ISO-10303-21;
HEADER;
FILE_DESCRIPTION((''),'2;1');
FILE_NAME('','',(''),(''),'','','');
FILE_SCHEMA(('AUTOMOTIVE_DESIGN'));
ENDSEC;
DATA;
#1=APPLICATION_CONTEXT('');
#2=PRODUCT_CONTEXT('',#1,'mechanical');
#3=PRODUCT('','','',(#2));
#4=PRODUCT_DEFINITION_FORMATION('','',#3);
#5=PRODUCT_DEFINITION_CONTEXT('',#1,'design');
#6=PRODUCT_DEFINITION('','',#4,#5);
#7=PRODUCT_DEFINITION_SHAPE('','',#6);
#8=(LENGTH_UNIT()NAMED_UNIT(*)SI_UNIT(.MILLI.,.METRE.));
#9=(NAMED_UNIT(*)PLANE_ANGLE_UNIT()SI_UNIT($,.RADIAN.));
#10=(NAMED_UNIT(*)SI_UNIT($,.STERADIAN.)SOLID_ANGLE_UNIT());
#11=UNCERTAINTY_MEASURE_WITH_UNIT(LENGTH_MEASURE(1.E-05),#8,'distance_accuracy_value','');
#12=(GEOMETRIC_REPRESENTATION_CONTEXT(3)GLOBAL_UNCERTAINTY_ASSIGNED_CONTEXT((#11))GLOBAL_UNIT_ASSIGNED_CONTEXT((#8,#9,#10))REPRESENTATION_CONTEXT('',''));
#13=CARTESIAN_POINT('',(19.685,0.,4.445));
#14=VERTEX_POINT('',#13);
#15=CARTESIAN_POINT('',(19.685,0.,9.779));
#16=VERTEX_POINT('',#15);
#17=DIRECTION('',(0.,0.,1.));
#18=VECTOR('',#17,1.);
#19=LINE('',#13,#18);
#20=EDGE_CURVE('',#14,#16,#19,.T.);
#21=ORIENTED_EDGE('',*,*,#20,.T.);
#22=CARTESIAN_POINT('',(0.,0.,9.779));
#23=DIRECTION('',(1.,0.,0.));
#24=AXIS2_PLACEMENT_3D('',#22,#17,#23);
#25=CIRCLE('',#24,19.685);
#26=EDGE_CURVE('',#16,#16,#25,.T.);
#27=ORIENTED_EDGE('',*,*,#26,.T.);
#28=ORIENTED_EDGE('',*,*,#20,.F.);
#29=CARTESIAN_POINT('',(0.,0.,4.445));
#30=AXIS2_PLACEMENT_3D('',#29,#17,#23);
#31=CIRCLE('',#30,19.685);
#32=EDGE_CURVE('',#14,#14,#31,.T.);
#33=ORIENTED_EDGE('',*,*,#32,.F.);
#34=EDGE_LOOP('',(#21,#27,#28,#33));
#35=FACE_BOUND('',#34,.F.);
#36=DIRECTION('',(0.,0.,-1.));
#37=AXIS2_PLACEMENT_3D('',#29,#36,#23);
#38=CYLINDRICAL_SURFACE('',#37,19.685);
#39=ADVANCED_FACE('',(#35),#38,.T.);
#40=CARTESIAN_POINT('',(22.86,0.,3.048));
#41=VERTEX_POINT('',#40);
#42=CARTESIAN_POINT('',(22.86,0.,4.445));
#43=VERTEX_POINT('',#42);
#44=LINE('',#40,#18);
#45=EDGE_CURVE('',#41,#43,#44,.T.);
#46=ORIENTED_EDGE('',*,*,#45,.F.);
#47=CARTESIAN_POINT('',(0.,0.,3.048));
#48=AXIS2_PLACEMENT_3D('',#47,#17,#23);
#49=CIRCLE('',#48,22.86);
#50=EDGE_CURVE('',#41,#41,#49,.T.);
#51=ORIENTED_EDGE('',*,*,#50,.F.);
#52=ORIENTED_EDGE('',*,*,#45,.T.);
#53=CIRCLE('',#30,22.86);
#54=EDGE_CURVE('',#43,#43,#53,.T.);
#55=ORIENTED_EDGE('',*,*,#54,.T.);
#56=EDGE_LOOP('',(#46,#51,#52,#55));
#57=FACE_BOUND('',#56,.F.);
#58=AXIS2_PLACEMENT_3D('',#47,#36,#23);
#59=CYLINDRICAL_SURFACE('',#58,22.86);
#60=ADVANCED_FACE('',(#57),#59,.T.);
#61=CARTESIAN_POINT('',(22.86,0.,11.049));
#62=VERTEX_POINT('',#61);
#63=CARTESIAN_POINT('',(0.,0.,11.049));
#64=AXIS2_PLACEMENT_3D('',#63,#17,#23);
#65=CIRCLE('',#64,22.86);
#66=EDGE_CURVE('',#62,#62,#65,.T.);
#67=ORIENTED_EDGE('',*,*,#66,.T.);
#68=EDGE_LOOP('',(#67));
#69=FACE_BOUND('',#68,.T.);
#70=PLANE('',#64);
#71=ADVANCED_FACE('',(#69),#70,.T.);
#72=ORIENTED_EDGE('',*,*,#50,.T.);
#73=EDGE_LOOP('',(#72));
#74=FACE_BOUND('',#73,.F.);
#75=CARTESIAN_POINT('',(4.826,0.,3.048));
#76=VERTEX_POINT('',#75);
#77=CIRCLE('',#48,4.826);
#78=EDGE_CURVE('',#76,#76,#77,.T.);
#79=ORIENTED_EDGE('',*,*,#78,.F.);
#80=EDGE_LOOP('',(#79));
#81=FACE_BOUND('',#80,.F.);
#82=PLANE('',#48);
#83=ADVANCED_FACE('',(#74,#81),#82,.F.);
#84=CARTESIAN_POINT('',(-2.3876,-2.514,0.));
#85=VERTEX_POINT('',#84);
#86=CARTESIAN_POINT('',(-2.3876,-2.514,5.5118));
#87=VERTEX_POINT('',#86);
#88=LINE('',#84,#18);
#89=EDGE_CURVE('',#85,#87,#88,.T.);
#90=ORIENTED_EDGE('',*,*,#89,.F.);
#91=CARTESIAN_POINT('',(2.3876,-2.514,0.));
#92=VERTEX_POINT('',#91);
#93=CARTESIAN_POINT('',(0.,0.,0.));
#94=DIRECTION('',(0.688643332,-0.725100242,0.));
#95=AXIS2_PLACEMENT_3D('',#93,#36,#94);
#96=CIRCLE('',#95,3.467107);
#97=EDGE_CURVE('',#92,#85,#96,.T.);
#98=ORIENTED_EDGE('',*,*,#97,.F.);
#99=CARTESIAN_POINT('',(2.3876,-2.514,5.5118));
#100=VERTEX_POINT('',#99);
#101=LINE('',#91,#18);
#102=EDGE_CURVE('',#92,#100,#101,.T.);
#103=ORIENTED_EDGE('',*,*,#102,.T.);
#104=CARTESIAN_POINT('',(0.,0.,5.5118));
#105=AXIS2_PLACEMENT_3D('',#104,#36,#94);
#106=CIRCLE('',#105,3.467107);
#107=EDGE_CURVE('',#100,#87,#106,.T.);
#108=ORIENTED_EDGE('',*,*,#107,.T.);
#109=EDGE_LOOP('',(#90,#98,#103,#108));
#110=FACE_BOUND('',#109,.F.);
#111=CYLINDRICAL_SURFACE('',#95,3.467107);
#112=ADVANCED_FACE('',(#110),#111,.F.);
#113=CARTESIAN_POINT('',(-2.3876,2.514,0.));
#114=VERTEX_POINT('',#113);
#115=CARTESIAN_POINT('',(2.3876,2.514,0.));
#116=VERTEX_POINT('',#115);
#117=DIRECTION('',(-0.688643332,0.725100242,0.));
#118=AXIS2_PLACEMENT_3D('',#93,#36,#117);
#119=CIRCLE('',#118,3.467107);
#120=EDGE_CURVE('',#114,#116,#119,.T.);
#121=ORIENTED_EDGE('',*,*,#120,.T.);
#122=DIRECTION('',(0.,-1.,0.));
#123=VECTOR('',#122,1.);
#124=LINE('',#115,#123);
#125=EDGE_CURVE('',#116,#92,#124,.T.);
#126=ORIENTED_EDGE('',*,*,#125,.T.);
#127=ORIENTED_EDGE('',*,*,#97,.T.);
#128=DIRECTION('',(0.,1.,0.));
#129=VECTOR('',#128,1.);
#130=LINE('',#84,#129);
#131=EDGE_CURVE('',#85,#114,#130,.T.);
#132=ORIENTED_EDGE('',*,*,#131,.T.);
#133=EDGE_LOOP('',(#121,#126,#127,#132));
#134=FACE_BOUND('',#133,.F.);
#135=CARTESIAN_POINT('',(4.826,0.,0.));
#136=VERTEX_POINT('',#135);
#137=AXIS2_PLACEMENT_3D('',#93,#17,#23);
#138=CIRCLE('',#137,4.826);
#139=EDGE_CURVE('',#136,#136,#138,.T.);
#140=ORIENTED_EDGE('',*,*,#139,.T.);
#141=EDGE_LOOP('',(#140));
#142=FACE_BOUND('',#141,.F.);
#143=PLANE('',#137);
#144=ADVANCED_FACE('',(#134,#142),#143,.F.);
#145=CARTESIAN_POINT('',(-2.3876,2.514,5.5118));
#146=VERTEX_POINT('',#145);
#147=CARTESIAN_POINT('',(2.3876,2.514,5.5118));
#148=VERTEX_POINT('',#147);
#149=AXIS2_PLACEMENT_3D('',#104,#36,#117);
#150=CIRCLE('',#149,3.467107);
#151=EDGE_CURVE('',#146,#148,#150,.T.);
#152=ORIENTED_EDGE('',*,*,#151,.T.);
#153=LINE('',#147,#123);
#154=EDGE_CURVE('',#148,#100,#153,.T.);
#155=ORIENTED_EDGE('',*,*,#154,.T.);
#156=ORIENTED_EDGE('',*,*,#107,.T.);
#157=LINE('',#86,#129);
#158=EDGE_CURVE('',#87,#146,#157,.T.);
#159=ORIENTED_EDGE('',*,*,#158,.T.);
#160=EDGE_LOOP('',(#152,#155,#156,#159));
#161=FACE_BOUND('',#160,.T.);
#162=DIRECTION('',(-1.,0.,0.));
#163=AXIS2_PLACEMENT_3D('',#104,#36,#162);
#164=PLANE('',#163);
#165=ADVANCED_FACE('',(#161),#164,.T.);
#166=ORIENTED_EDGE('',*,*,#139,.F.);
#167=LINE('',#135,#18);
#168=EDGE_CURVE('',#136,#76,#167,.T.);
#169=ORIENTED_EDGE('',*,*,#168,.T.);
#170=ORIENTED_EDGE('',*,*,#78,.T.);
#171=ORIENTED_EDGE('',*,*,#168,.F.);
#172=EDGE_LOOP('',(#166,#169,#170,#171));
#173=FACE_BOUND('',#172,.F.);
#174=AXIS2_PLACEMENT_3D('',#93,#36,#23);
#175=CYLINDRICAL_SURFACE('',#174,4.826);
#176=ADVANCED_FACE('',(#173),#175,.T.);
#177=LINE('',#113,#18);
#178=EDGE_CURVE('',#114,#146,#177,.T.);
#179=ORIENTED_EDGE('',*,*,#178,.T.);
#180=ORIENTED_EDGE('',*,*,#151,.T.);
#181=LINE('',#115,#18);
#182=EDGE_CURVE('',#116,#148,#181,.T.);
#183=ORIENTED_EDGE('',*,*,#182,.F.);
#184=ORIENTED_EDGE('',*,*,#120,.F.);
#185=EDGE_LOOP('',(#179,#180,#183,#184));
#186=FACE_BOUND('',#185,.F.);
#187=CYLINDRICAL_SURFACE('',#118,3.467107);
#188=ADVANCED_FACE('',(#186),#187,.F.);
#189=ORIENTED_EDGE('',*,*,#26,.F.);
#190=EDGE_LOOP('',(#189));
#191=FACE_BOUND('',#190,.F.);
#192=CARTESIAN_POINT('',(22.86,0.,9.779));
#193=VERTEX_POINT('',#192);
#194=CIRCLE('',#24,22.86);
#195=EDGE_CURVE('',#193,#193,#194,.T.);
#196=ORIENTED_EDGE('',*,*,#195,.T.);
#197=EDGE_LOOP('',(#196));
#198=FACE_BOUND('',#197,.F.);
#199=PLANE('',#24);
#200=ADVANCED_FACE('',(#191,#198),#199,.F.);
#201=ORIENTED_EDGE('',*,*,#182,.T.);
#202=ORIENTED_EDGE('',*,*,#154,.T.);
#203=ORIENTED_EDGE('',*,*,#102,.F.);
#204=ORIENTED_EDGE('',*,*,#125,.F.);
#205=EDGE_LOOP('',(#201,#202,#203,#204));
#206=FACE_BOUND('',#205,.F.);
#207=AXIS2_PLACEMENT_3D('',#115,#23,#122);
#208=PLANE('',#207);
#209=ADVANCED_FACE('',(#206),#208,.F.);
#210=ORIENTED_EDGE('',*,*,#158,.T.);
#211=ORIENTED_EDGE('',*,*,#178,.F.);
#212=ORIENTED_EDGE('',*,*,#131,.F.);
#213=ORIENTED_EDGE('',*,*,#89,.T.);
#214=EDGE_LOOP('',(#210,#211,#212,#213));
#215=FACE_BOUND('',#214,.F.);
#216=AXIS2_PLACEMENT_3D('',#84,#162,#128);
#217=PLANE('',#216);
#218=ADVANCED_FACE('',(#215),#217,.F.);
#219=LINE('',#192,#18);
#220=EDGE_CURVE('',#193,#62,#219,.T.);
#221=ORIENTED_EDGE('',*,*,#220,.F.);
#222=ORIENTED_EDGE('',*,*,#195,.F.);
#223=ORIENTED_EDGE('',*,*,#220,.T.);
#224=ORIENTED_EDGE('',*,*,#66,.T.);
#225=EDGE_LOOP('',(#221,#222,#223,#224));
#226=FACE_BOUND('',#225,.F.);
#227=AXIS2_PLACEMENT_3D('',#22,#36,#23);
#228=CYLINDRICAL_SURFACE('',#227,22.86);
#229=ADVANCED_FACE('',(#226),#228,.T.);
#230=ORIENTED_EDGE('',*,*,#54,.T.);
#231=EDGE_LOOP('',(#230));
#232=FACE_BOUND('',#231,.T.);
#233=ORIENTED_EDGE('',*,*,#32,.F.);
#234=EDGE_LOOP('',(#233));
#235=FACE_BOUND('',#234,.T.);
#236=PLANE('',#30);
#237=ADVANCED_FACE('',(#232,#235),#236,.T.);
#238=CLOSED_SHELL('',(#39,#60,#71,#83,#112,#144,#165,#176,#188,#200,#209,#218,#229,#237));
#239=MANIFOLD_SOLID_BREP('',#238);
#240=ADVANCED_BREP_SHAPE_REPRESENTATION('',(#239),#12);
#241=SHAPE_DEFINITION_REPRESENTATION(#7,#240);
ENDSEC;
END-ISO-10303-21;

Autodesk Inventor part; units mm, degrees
ref_plane "YZ Plane" through (0, 0, 0) normal (1, 0, 0) x (0, 1, 0)
ref_plane "XZ Plane" through (0, 0, 0) normal (0, 1, 0) x (-1, 0, 0)
ref_plane "XY Plane" through (0, 0, 0) normal (0, 0, 1) x (1, 0, 0)
sketch "Sketch1" plane through (0, 0, 0) normal (0, 0, 1) x (1, 0, 0)
  circle A0 centre (0, 0) radius 4.826
  dimension "d0" = 9.652
extrude "Extrusion1" add sketch "Sketch1" along normal blind 3.048
sketch "Sketch2" plane through (0, 0, 3.048) normal (0, 0, 1) x (1, 0, 0)
  circle A0 centre (0, 0) radius 22.86
  dimension "d3" = 45.72
extrude "Extrusion2" add sketch "Sketch2" along normal blind 1.397
sketch "Sketch4" plane through (0, 0, 4.445) normal (0, 0, 1) x (1, 0, 0)
  circle A0 centre (0, 0) radius 19.685
  dimension "d6" = 39.37
extrude "Extrusion3" add sketch "Sketch4" along normal blind 5.334
sketch "Sketch6" plane through (0, 0, 9.779) normal (0, 0, 1) x (1, 0, 0)
  circle A0 centre (0, 0) radius 4.826 projected
  circle A1 centre (0, 0) radius 22.86
extrude "Extrusion4" add sketch "Sketch6" along normal blind 1.27 contours A0 | A1
sketch "Sketch9" plane through (0, 0, 0) normal (0, 0, -1) x (-1, 0, 0)
  line L0 (2.3876, -2.514) -> (2.3876, 2.514)
  line L1 (-2.3876, 2.514) -> (-2.3876, -2.514)
  line L2 (-1.2735, -3.2247) -> (1.2735, 3.2247) construction
  line L3 (1.2735, -3.2247) -> (-1.2735, 3.2247) construction
  arc A0 (-2.3876, -2.514) -> (2.3876, -2.514) centre (0, 0) ccw
  arc A1 (2.3876, 2.514) -> (-2.3876, 2.514) centre (0, 0) ccw
extrude "Extrusion6" cut sketch "Sketch9" against normal blind 5.5118
properties part number "Wheel"
